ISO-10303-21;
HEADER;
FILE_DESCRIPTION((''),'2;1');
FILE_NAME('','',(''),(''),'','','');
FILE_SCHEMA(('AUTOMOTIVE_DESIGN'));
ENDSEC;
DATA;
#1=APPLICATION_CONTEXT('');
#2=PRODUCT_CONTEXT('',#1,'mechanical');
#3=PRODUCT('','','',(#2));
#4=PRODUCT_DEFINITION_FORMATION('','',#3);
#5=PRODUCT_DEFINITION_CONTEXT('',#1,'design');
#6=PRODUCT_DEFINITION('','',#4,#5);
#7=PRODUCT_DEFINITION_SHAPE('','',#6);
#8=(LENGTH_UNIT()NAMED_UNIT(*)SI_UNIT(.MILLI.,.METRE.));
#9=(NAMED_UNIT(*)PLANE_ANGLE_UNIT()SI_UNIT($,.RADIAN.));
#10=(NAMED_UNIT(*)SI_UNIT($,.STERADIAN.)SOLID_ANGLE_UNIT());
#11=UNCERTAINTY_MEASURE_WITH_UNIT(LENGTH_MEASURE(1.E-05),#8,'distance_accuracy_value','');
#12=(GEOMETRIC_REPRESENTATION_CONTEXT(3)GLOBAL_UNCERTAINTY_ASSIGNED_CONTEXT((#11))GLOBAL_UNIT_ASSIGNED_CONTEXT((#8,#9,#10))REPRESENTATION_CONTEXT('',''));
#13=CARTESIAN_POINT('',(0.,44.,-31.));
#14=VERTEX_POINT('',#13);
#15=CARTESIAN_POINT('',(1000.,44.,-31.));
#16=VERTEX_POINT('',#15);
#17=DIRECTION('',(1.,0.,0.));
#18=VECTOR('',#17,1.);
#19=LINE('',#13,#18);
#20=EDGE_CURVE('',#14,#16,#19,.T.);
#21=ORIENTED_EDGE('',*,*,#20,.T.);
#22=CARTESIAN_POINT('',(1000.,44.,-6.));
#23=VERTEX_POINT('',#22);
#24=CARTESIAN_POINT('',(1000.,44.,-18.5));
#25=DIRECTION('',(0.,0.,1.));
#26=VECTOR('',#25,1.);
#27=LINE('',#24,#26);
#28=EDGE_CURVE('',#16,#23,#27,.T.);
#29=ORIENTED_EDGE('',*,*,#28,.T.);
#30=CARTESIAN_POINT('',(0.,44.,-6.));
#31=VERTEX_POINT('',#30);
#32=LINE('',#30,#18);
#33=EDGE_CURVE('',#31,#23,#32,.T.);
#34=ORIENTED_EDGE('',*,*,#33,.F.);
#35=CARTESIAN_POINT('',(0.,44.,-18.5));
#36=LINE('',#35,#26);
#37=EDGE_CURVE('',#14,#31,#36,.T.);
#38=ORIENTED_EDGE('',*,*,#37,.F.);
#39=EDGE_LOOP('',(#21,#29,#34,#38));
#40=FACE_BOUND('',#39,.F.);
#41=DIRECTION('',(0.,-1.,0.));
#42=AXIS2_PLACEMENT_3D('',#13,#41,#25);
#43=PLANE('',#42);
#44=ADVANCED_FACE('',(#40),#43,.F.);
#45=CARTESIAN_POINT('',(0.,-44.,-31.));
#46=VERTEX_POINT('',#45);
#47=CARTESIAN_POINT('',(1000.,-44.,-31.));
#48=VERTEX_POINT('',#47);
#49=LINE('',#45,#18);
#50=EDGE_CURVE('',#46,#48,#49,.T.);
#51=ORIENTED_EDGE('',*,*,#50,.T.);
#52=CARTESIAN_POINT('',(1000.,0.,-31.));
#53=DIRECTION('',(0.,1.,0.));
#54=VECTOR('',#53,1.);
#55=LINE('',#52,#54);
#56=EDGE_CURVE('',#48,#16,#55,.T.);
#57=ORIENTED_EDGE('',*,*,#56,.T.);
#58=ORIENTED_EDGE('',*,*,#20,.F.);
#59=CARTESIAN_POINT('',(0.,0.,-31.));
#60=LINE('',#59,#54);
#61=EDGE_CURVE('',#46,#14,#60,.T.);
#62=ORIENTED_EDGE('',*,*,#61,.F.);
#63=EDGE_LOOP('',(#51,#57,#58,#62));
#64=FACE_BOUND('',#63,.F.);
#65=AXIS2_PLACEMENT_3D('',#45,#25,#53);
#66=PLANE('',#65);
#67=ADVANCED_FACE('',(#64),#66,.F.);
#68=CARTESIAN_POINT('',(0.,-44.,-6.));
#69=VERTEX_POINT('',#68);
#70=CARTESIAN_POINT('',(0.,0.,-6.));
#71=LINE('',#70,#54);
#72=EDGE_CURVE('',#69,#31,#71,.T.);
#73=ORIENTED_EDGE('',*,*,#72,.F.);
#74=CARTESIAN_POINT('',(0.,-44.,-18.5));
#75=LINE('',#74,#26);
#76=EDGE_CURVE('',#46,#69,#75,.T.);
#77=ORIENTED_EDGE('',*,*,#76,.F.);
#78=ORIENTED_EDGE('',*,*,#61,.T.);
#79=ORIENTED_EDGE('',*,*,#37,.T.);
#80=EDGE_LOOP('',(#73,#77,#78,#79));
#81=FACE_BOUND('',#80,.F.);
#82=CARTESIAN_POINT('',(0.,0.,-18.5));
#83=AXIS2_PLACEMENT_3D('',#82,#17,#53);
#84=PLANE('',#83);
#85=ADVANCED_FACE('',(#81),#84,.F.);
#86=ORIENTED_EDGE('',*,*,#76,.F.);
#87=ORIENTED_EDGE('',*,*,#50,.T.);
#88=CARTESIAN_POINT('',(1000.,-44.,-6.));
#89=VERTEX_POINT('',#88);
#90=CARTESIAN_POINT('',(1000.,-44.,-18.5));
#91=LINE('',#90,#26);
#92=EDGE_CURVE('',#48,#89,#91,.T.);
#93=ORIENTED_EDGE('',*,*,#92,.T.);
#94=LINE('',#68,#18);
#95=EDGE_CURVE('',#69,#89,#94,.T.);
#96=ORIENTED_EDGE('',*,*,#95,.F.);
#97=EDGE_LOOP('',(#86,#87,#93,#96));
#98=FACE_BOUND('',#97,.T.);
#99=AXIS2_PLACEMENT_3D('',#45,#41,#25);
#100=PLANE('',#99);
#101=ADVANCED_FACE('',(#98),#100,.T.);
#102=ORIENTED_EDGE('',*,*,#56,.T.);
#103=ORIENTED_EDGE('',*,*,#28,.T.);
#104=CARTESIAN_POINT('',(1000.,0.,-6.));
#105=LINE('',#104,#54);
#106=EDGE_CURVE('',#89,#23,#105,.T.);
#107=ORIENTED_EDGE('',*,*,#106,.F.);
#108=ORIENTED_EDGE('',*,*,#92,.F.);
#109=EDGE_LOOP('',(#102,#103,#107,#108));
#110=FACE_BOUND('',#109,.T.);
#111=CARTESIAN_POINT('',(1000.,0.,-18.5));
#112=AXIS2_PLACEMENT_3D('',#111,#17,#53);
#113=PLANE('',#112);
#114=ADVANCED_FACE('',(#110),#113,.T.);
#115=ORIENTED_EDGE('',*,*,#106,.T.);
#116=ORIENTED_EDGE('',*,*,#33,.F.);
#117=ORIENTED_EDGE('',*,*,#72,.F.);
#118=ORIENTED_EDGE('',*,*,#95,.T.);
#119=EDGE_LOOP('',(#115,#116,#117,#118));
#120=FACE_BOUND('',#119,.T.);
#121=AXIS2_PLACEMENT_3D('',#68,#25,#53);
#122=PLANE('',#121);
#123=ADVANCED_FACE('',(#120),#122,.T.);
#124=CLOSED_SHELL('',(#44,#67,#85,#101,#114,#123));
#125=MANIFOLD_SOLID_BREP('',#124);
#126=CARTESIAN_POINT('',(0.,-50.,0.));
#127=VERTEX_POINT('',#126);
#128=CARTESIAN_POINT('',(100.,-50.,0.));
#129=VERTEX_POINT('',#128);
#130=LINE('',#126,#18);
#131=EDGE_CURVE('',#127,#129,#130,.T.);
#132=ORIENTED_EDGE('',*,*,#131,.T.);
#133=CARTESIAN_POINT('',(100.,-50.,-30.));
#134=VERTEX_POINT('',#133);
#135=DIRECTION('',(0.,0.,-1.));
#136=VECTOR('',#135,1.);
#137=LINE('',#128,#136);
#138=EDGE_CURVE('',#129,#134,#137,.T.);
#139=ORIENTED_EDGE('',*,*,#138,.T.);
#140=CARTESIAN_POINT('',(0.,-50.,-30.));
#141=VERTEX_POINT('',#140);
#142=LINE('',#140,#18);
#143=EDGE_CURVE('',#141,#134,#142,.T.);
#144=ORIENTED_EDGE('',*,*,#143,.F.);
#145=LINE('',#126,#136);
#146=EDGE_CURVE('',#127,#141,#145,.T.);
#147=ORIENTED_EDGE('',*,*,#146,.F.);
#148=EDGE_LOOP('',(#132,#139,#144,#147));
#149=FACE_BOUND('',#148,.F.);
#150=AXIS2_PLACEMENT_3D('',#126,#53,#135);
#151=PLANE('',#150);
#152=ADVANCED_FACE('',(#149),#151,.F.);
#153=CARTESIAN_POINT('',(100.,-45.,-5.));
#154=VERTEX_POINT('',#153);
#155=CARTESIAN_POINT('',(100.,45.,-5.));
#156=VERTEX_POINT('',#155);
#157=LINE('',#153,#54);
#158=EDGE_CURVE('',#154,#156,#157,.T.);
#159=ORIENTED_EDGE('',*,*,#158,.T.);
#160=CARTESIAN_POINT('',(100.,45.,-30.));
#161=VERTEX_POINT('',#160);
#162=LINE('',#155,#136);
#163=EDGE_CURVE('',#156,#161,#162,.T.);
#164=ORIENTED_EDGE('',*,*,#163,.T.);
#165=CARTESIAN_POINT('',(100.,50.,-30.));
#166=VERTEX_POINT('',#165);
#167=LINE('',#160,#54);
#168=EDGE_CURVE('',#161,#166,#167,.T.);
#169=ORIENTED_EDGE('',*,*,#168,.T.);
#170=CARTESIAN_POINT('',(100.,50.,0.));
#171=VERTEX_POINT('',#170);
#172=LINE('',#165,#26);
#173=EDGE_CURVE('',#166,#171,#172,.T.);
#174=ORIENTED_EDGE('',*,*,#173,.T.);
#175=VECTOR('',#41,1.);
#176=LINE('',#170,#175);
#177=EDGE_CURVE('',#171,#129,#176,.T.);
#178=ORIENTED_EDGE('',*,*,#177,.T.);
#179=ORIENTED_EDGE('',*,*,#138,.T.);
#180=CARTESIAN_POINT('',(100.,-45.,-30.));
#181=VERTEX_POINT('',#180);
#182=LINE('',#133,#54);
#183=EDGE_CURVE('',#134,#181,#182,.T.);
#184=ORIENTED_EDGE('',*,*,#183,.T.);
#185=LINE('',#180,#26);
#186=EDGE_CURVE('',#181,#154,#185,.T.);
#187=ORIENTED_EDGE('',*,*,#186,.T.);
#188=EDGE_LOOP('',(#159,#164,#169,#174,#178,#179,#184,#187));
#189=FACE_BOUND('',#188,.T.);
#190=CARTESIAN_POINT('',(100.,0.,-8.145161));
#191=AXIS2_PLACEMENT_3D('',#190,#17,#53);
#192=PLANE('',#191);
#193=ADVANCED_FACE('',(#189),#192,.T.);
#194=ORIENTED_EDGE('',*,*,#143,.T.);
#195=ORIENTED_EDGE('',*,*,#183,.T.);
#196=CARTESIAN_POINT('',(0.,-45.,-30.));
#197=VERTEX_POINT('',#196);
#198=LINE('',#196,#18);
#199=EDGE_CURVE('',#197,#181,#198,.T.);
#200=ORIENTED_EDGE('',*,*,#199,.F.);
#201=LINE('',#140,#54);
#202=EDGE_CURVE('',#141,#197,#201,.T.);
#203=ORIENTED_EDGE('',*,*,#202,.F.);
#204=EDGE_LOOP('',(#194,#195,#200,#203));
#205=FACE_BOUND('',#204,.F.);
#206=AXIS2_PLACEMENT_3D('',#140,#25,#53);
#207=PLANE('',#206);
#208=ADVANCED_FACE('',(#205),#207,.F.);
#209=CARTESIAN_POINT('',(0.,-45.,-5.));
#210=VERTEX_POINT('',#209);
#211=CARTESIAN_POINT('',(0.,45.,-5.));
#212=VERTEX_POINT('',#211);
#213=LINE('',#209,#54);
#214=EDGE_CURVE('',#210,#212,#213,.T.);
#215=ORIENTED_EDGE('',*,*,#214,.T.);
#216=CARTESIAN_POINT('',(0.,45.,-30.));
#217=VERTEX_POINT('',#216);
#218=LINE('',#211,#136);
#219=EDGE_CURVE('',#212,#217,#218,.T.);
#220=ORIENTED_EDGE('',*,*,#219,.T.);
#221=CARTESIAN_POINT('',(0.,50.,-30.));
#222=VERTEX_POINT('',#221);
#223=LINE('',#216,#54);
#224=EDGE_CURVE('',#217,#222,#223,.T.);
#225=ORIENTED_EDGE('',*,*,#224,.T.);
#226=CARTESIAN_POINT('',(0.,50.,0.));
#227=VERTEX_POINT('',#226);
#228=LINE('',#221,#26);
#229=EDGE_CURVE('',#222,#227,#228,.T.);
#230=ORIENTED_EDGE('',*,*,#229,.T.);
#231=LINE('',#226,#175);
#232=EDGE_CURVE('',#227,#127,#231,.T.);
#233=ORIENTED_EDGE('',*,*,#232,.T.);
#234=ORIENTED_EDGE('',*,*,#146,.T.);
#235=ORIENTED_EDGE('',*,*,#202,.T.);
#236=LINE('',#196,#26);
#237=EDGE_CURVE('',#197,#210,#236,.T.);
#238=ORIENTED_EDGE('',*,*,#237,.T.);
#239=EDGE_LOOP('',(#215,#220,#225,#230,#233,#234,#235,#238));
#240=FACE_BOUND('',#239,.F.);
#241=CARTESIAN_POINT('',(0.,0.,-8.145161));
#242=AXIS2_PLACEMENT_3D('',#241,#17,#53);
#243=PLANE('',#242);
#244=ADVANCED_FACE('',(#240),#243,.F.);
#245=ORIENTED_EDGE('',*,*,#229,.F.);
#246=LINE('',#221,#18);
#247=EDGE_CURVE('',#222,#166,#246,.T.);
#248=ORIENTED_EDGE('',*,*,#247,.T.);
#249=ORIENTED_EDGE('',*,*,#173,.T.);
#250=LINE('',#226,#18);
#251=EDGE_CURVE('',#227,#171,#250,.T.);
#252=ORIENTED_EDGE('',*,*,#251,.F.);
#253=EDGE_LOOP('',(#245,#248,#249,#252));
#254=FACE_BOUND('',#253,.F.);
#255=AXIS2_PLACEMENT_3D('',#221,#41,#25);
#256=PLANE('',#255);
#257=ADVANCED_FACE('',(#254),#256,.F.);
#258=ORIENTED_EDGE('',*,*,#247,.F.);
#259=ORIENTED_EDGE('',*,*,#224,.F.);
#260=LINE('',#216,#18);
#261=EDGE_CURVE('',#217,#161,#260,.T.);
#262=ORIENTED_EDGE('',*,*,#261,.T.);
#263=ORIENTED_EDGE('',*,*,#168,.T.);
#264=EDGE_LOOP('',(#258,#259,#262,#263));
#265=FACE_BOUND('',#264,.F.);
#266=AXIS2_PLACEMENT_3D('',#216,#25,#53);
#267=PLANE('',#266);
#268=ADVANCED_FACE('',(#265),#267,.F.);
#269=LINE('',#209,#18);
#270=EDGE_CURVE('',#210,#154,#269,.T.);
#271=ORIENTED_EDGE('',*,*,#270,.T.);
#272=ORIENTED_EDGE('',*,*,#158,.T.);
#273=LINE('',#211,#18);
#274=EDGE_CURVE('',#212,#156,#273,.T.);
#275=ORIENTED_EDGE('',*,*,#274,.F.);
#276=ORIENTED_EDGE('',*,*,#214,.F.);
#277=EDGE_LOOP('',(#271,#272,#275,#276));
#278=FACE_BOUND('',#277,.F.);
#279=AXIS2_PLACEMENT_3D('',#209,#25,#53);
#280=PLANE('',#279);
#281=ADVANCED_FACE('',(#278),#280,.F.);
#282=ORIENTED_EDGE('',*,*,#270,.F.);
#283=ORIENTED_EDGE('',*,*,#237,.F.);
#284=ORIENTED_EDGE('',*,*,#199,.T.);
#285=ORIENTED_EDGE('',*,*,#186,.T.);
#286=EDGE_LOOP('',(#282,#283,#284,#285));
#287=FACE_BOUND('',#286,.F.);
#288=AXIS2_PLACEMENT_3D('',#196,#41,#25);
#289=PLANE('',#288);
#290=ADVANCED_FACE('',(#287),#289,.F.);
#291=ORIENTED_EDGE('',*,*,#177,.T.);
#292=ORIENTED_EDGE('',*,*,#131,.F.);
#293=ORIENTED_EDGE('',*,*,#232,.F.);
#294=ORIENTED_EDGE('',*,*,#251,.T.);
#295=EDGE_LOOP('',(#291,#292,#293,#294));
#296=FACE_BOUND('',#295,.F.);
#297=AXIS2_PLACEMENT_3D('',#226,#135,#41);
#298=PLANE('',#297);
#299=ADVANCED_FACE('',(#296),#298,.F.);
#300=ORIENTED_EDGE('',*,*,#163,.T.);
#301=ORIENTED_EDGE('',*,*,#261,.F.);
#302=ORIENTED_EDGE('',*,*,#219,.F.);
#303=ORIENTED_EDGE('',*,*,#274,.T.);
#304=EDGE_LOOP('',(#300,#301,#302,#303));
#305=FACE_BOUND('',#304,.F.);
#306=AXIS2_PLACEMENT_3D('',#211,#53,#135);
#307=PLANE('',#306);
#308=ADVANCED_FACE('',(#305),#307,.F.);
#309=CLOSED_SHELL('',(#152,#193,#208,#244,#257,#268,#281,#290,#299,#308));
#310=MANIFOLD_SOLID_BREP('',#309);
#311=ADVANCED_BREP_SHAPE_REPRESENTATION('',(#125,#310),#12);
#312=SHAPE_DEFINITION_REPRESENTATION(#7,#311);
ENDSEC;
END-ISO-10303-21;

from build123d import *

# Parameters (mm, degrees)
F1_DEPTH = 100
F2_W     = 88
F2_H     = 25
F3_DEPTH = 1000


with BuildPart() as f1:
    # F0 (on Right) → F1 (new body)
    with BuildSketch(Plane.YZ):
        Polygon((50, -30), (50, 0), (-50, 0), (-50, -30), (-45, -30), (-45, -5), (45, -5), (45, -30), align=None)
    extrude(amount=F1_DEPTH)


with BuildPart() as f3:
    # F2 (on Right) → F3 (new body)
    with BuildSketch(Plane.YZ):
        with Locations((0, -18.5)):
            Rectangle(F2_W, F2_H)
    extrude(amount=F3_DEPTH)


solid = Compound([f1.part, f3.part])
